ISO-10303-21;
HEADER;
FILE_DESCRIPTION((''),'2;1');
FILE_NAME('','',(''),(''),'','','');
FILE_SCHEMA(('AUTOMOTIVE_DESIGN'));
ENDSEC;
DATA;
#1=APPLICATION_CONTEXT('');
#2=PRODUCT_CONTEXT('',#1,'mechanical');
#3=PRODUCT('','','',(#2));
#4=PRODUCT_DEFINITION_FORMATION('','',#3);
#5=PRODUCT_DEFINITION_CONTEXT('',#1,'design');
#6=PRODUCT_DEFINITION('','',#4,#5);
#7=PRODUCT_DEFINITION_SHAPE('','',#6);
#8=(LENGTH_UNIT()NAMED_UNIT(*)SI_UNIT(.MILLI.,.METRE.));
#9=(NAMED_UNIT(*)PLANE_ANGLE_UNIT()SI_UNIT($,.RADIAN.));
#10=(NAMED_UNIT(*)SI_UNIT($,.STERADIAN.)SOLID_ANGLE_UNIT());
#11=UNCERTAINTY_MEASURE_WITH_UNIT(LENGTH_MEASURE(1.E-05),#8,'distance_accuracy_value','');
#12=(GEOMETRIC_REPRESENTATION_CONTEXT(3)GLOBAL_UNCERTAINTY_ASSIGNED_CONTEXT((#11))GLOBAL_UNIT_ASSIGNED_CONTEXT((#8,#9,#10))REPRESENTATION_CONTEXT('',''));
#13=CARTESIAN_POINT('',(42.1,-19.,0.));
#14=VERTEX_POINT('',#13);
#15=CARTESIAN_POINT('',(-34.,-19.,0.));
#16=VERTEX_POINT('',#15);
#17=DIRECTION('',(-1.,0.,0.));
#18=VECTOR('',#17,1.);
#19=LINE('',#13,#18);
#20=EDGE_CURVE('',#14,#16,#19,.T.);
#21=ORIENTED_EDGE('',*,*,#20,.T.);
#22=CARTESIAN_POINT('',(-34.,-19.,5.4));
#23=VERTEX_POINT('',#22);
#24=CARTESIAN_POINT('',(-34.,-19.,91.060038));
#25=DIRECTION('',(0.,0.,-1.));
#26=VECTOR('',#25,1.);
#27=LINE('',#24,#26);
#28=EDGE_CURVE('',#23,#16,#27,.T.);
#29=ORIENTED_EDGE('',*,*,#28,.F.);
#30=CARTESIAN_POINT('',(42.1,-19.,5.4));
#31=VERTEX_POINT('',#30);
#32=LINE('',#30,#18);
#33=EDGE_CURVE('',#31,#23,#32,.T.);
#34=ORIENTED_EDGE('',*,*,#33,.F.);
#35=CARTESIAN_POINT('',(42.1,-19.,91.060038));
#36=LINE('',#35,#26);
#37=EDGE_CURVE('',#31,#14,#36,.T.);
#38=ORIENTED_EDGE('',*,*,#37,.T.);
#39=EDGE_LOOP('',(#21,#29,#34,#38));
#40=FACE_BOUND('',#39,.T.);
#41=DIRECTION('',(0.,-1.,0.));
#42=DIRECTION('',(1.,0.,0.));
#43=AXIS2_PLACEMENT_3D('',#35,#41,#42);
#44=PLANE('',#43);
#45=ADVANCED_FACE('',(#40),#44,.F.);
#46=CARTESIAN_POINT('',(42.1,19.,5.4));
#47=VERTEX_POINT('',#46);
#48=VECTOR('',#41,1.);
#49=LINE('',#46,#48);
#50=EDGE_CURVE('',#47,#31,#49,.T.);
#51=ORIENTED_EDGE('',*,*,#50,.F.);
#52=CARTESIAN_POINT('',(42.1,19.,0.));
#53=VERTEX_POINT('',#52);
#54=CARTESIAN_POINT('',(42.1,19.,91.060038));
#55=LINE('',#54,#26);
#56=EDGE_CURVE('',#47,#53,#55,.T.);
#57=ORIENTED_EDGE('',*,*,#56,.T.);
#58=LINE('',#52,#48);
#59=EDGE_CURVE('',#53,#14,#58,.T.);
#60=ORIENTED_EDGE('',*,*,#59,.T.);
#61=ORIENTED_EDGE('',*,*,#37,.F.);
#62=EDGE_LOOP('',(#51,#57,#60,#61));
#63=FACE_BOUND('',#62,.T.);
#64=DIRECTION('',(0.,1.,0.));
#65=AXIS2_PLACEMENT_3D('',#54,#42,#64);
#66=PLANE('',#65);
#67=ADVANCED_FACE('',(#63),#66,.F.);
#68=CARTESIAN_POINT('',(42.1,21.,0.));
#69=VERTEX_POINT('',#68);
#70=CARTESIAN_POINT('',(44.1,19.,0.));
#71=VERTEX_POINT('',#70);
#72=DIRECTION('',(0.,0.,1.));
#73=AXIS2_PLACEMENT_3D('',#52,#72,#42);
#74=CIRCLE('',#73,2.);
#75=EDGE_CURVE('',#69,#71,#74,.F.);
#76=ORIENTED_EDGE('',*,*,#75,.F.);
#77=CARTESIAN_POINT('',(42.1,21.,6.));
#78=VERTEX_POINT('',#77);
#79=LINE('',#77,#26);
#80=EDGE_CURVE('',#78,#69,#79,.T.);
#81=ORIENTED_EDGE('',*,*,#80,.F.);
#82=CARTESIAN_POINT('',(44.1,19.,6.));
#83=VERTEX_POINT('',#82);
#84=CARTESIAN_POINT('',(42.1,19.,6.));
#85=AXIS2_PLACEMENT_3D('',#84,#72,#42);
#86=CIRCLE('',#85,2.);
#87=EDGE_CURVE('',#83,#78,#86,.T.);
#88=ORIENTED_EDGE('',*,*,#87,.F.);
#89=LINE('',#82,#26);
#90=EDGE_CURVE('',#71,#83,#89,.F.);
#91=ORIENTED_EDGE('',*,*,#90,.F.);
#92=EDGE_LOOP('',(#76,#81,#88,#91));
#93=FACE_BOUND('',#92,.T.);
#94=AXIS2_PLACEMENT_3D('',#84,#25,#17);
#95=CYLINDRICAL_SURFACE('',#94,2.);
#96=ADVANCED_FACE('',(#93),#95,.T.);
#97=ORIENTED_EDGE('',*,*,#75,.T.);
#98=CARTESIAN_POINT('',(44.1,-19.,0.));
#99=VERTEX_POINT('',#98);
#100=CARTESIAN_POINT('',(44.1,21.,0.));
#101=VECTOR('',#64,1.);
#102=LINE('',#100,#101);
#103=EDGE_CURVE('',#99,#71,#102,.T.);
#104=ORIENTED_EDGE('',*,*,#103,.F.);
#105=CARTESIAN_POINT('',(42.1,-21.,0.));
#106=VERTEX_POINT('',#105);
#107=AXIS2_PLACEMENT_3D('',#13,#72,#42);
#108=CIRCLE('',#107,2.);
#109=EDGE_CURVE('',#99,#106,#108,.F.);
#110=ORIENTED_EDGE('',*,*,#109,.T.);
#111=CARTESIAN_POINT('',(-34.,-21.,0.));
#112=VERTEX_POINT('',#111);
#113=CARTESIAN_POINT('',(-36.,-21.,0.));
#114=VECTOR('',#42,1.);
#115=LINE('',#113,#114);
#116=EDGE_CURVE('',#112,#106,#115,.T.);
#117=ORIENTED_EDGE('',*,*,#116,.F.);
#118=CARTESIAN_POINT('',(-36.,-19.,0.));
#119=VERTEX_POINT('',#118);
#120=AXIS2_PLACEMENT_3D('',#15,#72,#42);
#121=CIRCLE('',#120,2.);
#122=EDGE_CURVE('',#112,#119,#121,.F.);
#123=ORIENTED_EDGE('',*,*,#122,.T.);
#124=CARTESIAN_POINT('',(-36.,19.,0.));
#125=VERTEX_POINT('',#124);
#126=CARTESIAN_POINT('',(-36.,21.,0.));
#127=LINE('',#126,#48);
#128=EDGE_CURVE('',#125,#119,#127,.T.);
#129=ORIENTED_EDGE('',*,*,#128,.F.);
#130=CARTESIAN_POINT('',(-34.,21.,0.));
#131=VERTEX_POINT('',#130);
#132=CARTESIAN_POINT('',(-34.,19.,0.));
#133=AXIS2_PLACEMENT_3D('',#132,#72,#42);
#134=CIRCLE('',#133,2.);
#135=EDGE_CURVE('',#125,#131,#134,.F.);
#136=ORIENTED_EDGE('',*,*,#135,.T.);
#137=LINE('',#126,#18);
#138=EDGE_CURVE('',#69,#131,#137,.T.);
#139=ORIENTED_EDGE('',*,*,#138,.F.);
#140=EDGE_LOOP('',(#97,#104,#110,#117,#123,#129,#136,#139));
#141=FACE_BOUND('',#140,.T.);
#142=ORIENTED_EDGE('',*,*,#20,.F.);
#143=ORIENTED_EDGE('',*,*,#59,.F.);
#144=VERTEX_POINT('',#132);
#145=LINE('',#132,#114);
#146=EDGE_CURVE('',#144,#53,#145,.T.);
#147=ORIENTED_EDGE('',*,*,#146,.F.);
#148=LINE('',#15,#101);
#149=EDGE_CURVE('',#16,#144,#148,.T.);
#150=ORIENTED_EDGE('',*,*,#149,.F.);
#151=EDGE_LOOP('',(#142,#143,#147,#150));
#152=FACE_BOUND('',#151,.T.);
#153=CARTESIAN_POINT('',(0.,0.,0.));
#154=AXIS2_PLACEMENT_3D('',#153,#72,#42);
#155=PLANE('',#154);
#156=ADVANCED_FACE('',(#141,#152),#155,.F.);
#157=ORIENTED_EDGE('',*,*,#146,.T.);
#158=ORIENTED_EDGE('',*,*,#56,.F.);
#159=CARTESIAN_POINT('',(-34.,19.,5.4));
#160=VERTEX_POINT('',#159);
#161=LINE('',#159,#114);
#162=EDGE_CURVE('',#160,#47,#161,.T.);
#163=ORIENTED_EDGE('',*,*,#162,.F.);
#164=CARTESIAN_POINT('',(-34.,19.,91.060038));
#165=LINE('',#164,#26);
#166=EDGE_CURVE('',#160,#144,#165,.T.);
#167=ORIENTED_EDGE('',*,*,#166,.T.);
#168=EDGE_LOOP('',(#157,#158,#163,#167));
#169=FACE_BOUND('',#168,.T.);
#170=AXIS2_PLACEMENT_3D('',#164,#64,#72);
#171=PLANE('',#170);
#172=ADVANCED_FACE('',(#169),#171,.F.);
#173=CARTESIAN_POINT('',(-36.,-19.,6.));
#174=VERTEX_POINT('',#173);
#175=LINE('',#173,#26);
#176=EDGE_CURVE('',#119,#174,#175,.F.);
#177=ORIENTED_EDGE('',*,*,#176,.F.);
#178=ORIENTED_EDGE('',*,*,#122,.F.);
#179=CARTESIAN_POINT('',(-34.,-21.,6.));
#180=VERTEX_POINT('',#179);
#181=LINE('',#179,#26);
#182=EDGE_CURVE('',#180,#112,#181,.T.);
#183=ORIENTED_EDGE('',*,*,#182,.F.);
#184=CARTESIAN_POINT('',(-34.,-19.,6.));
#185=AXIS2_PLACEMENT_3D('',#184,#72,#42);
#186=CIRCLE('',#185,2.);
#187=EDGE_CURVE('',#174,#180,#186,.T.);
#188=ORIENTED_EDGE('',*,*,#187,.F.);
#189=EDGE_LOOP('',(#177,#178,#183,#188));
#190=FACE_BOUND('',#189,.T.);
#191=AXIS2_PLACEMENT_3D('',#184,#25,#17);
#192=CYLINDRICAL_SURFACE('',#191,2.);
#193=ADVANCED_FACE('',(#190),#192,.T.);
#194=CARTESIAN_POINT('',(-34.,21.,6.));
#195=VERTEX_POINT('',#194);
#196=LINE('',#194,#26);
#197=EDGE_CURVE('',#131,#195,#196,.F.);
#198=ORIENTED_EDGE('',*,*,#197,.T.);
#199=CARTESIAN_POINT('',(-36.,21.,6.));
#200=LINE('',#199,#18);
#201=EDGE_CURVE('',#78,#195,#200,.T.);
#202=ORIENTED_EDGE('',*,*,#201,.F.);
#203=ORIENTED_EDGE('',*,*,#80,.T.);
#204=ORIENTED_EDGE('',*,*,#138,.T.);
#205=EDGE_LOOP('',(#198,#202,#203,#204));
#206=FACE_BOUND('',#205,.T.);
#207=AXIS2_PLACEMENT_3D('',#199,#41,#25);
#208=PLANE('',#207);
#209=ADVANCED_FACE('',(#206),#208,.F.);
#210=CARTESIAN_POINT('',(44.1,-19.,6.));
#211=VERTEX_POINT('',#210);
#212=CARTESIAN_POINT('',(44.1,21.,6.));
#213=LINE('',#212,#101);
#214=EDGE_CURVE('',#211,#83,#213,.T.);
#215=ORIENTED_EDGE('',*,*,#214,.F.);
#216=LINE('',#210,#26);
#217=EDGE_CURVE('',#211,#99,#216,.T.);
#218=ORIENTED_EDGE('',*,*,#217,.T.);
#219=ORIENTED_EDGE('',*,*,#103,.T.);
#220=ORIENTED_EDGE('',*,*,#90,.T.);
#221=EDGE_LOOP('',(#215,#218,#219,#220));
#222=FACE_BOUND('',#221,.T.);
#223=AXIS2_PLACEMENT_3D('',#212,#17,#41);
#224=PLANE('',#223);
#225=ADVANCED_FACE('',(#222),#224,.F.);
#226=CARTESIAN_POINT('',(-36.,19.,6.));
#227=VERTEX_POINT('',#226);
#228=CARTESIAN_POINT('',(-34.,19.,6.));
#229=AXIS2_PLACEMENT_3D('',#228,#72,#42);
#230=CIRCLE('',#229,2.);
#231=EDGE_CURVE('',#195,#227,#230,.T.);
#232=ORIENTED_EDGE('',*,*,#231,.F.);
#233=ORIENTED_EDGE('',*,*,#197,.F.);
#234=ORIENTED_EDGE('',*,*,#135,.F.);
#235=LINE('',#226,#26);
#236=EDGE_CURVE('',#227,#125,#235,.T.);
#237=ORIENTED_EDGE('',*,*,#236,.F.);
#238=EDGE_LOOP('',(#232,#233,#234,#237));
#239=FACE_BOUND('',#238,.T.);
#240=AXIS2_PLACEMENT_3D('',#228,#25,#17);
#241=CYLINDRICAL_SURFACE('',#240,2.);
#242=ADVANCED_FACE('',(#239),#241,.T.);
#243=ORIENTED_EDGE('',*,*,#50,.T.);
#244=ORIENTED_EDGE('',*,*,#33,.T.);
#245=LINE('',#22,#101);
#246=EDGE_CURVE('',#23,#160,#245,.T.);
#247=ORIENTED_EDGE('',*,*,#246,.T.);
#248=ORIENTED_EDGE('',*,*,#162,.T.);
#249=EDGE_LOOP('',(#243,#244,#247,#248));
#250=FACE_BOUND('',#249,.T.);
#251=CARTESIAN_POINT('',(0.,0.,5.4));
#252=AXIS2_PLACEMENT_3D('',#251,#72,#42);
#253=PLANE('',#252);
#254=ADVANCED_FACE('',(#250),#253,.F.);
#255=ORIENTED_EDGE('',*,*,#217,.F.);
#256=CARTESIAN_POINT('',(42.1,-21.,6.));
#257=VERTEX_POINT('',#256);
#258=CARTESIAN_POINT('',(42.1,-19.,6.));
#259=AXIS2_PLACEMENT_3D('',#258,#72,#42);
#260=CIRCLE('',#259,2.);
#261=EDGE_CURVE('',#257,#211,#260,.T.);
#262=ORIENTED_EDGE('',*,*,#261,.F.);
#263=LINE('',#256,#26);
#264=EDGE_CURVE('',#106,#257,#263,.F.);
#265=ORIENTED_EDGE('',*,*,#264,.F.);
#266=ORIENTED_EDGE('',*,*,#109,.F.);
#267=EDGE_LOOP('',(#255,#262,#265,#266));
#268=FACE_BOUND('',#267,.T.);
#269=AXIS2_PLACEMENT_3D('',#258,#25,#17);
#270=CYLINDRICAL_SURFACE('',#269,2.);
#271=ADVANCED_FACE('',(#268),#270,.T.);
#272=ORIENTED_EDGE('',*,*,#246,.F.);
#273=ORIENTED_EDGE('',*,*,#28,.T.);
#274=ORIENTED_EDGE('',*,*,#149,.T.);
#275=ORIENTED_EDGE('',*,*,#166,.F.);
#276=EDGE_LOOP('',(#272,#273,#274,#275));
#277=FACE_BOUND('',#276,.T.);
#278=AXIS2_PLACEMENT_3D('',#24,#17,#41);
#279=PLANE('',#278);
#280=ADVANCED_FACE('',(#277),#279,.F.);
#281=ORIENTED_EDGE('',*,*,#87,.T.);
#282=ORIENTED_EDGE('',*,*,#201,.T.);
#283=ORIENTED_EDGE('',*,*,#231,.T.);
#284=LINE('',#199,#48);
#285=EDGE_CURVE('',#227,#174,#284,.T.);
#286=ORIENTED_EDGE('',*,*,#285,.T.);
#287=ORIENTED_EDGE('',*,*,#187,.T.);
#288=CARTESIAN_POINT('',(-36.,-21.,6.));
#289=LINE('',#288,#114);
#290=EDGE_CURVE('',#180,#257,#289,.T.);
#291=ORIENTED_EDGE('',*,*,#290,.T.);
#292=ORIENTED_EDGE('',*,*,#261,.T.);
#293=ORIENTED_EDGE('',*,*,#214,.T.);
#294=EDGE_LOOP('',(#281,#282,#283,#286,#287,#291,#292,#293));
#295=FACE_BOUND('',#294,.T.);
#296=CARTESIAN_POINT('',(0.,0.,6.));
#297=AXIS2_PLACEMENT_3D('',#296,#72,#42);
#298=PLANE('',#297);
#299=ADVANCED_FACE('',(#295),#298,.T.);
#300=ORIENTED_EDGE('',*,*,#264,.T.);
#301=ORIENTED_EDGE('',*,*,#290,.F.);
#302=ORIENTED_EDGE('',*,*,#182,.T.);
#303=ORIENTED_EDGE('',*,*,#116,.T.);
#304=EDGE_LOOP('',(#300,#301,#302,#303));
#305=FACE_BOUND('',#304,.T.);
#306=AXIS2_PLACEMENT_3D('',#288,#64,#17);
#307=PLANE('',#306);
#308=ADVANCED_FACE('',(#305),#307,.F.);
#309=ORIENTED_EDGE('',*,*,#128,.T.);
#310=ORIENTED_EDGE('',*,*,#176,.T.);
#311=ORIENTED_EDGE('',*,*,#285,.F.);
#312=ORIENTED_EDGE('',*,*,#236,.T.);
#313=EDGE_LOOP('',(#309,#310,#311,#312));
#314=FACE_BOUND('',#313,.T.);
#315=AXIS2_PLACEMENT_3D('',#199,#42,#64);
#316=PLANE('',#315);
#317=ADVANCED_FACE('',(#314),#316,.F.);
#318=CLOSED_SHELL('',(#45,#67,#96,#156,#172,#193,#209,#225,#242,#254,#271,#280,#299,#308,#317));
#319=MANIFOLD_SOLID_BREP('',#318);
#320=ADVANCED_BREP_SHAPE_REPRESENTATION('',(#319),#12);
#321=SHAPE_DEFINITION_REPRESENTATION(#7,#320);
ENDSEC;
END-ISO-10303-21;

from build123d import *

# Parameters (mm, degrees)
SKETCH1_W           = 80.1
SKETCH1_H           = 42
BOSS_EXTRUDE1_DEPTH = 6
SKETCH2_W           = 76.1
SKETCH2_H           = 38
CUT_EXTRUDE1_DEPTH  = 5.4
FILLET1_R           = 2


with BuildPart() as part:
    # Sketch1 → Boss-Extrude1 (new body)
    with BuildSketch(Plane.XY):
        with Locations((4.05, 0)):
            Rectangle(SKETCH1_W, SKETCH1_H)
    extrude(amount=BOSS_EXTRUDE1_DEPTH)

    # Sketch2 → Cut-Extrude1 (cut)
    with BuildSketch(Plane(origin=(0, 0, 0), x_dir=(-1, 0, 0), z_dir=(0, 0, -1))):
        with Locations((-4.05, 0)):
            Rectangle(SKETCH2_W, SKETCH2_H)
    extrude(amount=-CUT_EXTRUDE1_DEPTH, mode=Mode.SUBTRACT)

    # Fillet1
    fillet1_edges = [part.edges().sort_by_distance(p)[0] for p in [
        (-36, 21, 3),
        (44.1, 21, 3),
        (44.1, -21, 3),
        (-36, -21, 3),
    ]]
    fillet(fillet1_edges, radius=FILLET1_R)


solid = part.part
